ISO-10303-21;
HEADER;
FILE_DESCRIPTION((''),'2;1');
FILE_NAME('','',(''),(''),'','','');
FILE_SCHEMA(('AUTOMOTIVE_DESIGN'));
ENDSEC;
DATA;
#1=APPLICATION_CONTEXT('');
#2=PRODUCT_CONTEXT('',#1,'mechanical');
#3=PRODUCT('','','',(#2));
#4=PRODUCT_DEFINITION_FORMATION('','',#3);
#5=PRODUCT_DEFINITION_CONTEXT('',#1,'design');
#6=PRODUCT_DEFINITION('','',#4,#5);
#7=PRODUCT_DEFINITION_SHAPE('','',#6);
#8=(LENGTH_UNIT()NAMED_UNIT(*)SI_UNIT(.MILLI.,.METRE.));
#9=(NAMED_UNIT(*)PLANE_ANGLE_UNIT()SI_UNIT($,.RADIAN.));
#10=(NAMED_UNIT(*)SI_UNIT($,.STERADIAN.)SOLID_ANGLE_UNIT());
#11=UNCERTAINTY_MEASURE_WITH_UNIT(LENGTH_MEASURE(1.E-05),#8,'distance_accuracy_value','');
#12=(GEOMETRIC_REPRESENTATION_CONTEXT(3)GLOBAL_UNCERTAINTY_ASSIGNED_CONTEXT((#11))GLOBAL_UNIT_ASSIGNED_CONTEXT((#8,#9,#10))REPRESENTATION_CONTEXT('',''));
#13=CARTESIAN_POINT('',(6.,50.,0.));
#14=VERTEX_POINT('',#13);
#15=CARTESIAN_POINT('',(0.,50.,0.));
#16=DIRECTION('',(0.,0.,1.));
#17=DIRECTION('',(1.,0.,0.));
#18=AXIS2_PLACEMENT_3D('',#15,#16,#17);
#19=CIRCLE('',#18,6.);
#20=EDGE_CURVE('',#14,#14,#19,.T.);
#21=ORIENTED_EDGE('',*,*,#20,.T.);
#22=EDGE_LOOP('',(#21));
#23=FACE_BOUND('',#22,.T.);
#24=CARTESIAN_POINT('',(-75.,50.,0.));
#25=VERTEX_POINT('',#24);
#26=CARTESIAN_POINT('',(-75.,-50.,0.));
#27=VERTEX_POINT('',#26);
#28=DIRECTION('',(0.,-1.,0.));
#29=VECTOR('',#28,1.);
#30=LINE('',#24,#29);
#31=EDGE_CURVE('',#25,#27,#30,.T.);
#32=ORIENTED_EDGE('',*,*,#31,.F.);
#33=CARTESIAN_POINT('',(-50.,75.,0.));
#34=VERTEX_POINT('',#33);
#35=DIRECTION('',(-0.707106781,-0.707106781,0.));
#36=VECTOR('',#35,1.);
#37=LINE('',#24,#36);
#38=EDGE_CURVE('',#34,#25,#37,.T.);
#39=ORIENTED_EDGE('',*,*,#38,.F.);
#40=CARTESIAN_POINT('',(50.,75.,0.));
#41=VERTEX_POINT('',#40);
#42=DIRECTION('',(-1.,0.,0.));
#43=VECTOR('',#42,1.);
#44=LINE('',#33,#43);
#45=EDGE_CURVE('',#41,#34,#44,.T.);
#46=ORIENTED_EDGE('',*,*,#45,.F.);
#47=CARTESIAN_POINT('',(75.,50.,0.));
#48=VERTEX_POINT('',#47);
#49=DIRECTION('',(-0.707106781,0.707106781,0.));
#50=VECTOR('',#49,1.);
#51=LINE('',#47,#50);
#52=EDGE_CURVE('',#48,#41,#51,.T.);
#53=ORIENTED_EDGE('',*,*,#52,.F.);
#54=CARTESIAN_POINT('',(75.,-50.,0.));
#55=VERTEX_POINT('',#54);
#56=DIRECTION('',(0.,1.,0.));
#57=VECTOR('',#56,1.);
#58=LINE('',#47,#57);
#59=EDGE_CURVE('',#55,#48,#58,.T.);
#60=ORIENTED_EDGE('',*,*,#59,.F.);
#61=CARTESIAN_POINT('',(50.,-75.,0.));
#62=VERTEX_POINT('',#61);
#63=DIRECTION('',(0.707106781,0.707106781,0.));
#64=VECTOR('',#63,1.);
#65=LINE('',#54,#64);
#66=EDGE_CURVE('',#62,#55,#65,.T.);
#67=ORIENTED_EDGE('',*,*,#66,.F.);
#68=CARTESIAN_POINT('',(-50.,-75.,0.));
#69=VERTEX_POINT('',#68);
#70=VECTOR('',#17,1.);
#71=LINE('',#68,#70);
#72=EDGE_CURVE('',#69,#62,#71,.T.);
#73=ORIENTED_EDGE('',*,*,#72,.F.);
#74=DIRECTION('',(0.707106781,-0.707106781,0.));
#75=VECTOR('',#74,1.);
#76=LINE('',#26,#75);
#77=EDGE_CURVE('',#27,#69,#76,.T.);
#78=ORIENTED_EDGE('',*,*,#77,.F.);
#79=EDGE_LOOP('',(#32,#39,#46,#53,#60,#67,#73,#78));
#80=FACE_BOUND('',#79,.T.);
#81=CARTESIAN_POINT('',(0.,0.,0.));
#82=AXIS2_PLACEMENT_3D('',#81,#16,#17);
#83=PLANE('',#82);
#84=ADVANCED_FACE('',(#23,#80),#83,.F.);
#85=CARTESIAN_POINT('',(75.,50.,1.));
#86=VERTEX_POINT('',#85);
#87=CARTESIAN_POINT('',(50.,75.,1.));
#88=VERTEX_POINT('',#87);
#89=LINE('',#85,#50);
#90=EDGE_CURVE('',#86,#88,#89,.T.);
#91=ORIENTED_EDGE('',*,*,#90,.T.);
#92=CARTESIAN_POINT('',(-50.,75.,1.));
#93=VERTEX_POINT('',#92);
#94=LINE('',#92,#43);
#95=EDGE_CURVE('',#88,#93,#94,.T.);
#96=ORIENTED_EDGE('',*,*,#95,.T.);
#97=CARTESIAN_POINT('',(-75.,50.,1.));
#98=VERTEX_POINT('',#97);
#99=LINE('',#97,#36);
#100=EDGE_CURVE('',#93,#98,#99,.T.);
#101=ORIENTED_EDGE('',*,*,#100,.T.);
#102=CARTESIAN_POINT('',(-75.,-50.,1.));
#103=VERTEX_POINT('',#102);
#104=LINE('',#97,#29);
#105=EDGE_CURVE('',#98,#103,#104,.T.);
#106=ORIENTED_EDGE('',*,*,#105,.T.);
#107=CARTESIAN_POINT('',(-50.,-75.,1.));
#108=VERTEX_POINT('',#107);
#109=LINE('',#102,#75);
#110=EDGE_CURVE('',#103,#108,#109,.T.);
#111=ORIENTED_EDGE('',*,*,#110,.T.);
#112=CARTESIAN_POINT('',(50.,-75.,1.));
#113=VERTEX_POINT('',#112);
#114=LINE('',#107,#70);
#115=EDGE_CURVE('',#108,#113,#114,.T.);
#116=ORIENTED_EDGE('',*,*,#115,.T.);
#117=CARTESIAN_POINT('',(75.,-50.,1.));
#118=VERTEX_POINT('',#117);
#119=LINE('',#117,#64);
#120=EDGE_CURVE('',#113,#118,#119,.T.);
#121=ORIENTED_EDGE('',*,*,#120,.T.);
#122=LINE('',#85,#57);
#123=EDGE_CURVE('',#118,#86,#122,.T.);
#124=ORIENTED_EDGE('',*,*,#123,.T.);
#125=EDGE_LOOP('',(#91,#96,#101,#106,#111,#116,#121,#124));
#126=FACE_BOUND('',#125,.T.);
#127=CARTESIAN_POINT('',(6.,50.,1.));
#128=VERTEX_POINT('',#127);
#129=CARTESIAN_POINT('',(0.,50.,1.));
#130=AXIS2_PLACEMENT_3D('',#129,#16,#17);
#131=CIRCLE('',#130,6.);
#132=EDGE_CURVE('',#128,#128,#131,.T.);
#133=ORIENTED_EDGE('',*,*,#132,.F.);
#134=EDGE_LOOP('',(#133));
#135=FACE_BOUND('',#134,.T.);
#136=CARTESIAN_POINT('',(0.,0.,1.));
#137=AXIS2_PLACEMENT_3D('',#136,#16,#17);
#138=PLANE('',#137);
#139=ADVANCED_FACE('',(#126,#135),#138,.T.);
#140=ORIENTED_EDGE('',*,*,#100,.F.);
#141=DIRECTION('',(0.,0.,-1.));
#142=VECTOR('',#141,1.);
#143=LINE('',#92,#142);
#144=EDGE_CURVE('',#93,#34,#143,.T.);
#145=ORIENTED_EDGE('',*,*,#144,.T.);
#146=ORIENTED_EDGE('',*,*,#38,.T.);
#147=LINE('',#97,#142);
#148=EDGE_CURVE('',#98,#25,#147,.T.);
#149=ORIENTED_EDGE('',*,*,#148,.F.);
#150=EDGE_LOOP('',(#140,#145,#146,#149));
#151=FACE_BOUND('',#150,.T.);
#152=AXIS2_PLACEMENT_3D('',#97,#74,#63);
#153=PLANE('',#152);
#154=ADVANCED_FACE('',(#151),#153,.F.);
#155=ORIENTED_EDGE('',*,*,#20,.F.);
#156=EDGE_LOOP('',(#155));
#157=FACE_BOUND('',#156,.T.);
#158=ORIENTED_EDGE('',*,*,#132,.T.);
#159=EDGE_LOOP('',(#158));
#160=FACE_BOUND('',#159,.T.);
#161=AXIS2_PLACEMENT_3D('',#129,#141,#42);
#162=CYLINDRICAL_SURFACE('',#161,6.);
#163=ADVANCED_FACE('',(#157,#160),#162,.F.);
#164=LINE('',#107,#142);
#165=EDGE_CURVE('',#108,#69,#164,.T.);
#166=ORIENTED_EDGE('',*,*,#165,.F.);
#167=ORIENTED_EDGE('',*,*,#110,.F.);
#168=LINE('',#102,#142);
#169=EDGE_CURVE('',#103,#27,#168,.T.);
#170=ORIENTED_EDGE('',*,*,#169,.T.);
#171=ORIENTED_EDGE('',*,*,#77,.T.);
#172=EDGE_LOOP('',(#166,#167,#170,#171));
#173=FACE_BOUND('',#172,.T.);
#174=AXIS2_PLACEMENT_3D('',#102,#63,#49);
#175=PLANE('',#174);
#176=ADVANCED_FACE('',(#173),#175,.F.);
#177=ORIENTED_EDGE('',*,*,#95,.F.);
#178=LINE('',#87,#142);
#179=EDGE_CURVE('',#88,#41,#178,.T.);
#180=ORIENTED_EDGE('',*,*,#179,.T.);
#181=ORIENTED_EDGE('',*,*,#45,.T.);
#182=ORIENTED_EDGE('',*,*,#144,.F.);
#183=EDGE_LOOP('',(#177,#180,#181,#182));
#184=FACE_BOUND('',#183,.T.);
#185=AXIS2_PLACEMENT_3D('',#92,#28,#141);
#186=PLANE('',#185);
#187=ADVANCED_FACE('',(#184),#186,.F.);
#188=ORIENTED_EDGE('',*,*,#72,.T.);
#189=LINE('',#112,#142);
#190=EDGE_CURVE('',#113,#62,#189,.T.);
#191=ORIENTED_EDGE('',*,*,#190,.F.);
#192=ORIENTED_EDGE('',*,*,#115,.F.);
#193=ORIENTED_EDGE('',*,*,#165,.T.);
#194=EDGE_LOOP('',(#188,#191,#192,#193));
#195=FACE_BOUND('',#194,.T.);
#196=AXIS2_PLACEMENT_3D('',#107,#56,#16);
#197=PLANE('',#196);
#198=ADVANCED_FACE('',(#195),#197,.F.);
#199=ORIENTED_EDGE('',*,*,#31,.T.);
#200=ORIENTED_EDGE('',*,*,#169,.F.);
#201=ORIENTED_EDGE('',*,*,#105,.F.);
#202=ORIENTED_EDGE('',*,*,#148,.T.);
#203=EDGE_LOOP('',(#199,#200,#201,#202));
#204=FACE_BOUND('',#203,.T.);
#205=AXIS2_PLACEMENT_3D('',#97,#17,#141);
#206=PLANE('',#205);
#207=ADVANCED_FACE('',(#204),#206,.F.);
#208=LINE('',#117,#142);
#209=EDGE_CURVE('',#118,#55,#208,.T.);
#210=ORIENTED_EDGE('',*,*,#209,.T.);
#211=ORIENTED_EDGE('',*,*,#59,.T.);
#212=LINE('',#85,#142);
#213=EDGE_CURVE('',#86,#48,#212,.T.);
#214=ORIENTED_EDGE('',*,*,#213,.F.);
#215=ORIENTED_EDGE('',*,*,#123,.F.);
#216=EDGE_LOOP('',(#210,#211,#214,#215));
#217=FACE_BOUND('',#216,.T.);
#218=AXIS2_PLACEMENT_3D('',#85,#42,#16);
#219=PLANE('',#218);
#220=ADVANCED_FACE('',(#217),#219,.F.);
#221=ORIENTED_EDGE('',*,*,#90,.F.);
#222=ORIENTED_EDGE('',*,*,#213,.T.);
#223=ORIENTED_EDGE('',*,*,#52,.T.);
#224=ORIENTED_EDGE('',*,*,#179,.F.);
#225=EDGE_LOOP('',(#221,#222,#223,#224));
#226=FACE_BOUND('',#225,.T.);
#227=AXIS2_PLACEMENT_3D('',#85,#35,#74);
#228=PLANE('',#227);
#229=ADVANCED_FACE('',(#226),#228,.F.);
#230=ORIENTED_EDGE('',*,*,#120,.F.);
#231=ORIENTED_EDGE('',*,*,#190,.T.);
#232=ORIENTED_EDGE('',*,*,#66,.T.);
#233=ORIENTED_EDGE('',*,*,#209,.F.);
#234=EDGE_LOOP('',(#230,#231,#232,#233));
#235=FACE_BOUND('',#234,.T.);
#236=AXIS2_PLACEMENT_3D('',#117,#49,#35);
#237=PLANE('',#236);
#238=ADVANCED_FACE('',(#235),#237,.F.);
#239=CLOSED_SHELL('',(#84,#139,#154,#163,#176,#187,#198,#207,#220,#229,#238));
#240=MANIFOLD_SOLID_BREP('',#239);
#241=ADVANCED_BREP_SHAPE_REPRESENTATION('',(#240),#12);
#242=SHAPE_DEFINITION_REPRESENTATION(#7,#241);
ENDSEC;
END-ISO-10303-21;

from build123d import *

# Parameters (mm, degrees)
SKETCH1_R           = 6
BOSS_EXTRUDE1_DEPTH = 1


with BuildPart() as part:
    # Sketch1 → Boss-Extrude1 (new body)
    with BuildSketch(Plane.XY):
        Polygon((-75, 50), (-50, 75), (50, 75), (75, 50), (75, -50), (50, -75), (-50, -75), (-75, -50), align=None)
        with Locations((0, 50)):
            Circle(SKETCH1_R, mode=Mode.SUBTRACT)
    extrude(amount=BOSS_EXTRUDE1_DEPTH)


solid = part.part
